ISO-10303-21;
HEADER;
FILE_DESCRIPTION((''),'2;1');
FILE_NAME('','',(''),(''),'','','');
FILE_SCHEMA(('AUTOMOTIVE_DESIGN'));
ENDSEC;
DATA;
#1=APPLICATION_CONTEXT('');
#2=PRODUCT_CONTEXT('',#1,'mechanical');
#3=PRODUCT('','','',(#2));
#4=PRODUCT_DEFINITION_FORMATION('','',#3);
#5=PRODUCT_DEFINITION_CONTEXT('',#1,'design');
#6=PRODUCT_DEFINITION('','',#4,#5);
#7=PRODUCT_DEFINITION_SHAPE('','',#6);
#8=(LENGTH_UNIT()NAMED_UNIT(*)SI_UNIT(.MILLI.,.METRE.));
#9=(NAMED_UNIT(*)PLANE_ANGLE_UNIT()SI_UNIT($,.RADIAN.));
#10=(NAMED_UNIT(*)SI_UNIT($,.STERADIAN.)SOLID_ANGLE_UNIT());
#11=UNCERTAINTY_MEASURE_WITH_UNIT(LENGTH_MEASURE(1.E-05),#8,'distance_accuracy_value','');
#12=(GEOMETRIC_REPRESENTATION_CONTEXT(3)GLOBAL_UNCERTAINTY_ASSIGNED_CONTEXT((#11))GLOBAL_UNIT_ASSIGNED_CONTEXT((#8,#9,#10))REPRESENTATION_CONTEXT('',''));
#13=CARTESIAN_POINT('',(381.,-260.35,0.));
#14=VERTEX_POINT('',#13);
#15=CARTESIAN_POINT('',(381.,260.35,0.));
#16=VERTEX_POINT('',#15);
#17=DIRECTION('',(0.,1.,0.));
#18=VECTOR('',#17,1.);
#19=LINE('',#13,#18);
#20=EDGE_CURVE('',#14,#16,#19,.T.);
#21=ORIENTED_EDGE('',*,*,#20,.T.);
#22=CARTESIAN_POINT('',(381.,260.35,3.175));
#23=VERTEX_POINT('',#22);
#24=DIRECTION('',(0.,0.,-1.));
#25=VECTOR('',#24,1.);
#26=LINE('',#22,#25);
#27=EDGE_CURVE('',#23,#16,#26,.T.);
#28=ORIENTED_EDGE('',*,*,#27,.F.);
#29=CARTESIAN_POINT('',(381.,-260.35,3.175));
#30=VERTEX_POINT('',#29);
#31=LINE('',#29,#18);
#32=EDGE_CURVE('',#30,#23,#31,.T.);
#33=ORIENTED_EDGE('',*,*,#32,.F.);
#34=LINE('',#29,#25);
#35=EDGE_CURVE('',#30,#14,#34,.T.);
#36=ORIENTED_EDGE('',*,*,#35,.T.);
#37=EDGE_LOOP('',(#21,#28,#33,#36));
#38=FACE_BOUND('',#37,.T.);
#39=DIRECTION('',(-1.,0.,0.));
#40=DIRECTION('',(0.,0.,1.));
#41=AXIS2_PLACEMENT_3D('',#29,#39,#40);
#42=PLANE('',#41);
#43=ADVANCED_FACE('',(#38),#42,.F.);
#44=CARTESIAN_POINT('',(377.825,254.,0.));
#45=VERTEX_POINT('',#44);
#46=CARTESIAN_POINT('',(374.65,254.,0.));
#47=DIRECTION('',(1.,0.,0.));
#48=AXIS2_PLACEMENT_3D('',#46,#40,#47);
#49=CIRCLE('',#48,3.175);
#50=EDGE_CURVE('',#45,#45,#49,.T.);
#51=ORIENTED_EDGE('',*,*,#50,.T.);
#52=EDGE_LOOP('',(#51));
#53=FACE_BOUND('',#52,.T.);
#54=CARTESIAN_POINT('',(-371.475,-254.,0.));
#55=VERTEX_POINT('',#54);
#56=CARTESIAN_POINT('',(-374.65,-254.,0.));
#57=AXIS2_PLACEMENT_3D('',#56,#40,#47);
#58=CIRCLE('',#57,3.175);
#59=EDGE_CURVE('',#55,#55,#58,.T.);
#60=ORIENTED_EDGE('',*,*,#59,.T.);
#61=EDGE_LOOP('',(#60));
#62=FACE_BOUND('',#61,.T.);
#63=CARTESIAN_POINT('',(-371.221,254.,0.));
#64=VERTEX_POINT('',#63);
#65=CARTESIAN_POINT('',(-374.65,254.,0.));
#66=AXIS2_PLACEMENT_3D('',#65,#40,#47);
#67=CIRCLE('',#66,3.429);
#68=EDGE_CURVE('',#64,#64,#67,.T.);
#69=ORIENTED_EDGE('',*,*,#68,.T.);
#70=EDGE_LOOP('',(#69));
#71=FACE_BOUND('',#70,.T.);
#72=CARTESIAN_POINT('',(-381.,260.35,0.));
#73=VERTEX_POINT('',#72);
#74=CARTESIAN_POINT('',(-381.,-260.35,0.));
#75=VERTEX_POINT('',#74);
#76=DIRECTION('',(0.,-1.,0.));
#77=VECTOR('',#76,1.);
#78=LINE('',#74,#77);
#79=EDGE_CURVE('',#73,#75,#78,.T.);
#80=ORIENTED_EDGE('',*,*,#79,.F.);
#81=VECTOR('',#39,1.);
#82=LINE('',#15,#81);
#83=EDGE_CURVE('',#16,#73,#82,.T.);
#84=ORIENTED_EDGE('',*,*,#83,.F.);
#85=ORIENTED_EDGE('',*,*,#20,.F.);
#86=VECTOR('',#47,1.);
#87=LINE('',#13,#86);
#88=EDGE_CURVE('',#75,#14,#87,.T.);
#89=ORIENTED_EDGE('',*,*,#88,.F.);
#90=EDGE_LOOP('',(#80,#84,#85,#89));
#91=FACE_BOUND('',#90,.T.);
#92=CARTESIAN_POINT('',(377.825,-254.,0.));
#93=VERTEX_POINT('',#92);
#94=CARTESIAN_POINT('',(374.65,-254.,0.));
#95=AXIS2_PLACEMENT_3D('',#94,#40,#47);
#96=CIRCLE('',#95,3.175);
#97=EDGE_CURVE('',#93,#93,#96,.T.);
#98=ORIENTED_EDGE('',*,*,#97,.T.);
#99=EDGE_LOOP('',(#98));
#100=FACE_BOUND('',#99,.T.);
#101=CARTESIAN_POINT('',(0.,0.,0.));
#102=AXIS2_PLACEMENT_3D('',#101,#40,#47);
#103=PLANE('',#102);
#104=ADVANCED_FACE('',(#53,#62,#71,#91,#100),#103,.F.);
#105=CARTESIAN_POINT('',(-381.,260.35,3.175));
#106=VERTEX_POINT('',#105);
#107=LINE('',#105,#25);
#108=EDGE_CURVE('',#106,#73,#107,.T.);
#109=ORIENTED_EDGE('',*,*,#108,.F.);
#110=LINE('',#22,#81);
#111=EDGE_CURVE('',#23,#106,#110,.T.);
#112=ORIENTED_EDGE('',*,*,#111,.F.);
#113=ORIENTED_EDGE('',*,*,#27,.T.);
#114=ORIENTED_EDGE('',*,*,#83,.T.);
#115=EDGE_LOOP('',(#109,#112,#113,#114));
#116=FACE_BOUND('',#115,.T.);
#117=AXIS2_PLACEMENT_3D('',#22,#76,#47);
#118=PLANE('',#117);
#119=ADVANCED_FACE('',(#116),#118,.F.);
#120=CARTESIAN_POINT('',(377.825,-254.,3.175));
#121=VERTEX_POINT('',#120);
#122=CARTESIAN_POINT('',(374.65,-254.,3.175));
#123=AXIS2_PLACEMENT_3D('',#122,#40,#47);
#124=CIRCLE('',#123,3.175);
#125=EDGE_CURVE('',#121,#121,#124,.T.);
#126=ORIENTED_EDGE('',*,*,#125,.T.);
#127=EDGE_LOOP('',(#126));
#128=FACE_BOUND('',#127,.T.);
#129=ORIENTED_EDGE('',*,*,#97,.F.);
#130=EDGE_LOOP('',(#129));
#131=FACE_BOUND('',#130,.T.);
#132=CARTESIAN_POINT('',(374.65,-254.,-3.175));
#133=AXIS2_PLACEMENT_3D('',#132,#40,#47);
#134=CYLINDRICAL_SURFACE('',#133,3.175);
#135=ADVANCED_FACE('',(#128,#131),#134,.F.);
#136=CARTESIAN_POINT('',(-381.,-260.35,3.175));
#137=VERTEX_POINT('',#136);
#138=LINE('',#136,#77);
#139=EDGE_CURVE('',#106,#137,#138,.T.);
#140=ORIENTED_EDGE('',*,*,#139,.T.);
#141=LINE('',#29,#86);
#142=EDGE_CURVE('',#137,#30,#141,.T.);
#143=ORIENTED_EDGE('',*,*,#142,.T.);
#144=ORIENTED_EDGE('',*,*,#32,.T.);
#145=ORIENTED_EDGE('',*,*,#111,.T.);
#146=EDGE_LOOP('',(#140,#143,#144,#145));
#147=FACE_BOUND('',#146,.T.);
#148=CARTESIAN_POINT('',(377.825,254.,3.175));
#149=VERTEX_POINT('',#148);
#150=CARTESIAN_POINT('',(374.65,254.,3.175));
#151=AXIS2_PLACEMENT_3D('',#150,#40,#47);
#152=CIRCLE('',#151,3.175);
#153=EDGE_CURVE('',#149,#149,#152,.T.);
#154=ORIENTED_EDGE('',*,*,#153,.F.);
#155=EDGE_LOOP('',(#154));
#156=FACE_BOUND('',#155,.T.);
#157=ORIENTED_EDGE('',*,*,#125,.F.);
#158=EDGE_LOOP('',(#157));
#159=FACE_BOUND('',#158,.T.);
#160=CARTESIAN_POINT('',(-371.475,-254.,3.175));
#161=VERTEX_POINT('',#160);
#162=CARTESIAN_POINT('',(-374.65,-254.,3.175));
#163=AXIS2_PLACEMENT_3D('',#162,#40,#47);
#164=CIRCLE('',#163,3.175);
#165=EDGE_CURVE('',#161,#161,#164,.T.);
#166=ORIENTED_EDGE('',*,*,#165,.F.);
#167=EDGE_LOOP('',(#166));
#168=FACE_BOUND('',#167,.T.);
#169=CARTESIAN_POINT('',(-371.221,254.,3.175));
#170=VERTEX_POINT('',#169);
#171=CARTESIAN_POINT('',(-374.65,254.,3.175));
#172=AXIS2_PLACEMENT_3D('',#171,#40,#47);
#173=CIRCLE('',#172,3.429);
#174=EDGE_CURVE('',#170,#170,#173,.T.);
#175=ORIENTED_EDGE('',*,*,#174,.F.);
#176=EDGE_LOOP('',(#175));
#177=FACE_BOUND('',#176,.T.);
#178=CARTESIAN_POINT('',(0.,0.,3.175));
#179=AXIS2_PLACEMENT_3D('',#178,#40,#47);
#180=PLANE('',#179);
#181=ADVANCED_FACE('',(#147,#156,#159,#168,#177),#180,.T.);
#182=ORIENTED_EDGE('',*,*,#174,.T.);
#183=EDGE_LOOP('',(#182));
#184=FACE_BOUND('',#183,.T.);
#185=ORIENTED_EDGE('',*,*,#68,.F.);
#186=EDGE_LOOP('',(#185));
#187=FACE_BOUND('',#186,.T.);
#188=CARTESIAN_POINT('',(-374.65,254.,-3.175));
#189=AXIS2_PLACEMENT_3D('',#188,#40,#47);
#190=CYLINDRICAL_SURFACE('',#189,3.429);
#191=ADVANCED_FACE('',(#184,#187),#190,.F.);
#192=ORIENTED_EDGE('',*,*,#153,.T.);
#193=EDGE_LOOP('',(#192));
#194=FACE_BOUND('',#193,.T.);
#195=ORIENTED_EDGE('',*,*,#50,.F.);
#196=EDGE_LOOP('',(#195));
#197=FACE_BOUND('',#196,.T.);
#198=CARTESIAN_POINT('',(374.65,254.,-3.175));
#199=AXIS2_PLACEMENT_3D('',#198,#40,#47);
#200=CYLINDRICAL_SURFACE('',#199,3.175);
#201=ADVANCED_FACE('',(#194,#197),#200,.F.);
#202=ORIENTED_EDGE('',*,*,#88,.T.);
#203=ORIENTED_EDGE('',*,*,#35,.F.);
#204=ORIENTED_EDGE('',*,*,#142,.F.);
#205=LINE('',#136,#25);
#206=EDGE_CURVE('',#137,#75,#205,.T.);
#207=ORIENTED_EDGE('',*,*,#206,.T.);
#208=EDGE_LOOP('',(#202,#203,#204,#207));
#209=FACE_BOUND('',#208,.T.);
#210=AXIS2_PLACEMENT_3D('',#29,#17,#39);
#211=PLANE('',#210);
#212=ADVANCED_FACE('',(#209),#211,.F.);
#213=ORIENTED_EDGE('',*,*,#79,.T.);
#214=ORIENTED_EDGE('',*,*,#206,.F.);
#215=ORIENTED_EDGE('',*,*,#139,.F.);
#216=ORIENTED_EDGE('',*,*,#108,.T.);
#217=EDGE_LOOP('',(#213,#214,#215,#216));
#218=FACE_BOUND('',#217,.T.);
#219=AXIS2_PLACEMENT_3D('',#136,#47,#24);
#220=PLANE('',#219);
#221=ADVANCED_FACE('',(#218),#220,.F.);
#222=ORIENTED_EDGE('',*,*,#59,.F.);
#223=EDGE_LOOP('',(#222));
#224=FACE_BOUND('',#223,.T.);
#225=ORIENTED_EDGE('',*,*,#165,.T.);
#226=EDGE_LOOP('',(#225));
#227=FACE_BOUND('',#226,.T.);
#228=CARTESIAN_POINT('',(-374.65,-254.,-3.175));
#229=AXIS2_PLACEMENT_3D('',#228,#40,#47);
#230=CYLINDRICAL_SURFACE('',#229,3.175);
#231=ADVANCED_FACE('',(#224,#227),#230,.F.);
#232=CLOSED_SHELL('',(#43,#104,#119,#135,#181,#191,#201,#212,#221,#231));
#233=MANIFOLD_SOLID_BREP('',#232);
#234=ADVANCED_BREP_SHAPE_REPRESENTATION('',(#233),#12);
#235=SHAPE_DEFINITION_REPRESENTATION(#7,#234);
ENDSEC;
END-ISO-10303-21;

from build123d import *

# Parameters (mm, degrees)
SKETCH1_W           = 762
SKETCH1_H           = 520.7
BOSS_EXTRUDE1_DEPTH = 3.175
SKETCH2_R           = 3.429
SKETCH2_R_2         = 3.175
CUT_EXTRUDE1_DEPTH  = 6.35


with BuildPart() as part:
    # Sketch1 → Boss-Extrude1 (new body)
    with BuildSketch(Plane.XY):
        Rectangle(SKETCH1_W, SKETCH1_H)
    extrude(amount=BOSS_EXTRUDE1_DEPTH)

    # Sketch2 → Cut-Extrude1 (cut)
    with BuildSketch(Plane.XY.offset(3.175)):
        with Locations((-374.65, 254)):
            Circle(SKETCH2_R)
        with Locations((374.65, 254)):
            Circle(SKETCH2_R_2)
        with Locations((-374.65, -254)):
            Circle(SKETCH2_R_2)
        with Locations((374.65, -254)):
            Circle(SKETCH2_R_2)
    extrude(amount=-CUT_EXTRUDE1_DEPTH, mode=Mode.SUBTRACT)


solid = part.part
